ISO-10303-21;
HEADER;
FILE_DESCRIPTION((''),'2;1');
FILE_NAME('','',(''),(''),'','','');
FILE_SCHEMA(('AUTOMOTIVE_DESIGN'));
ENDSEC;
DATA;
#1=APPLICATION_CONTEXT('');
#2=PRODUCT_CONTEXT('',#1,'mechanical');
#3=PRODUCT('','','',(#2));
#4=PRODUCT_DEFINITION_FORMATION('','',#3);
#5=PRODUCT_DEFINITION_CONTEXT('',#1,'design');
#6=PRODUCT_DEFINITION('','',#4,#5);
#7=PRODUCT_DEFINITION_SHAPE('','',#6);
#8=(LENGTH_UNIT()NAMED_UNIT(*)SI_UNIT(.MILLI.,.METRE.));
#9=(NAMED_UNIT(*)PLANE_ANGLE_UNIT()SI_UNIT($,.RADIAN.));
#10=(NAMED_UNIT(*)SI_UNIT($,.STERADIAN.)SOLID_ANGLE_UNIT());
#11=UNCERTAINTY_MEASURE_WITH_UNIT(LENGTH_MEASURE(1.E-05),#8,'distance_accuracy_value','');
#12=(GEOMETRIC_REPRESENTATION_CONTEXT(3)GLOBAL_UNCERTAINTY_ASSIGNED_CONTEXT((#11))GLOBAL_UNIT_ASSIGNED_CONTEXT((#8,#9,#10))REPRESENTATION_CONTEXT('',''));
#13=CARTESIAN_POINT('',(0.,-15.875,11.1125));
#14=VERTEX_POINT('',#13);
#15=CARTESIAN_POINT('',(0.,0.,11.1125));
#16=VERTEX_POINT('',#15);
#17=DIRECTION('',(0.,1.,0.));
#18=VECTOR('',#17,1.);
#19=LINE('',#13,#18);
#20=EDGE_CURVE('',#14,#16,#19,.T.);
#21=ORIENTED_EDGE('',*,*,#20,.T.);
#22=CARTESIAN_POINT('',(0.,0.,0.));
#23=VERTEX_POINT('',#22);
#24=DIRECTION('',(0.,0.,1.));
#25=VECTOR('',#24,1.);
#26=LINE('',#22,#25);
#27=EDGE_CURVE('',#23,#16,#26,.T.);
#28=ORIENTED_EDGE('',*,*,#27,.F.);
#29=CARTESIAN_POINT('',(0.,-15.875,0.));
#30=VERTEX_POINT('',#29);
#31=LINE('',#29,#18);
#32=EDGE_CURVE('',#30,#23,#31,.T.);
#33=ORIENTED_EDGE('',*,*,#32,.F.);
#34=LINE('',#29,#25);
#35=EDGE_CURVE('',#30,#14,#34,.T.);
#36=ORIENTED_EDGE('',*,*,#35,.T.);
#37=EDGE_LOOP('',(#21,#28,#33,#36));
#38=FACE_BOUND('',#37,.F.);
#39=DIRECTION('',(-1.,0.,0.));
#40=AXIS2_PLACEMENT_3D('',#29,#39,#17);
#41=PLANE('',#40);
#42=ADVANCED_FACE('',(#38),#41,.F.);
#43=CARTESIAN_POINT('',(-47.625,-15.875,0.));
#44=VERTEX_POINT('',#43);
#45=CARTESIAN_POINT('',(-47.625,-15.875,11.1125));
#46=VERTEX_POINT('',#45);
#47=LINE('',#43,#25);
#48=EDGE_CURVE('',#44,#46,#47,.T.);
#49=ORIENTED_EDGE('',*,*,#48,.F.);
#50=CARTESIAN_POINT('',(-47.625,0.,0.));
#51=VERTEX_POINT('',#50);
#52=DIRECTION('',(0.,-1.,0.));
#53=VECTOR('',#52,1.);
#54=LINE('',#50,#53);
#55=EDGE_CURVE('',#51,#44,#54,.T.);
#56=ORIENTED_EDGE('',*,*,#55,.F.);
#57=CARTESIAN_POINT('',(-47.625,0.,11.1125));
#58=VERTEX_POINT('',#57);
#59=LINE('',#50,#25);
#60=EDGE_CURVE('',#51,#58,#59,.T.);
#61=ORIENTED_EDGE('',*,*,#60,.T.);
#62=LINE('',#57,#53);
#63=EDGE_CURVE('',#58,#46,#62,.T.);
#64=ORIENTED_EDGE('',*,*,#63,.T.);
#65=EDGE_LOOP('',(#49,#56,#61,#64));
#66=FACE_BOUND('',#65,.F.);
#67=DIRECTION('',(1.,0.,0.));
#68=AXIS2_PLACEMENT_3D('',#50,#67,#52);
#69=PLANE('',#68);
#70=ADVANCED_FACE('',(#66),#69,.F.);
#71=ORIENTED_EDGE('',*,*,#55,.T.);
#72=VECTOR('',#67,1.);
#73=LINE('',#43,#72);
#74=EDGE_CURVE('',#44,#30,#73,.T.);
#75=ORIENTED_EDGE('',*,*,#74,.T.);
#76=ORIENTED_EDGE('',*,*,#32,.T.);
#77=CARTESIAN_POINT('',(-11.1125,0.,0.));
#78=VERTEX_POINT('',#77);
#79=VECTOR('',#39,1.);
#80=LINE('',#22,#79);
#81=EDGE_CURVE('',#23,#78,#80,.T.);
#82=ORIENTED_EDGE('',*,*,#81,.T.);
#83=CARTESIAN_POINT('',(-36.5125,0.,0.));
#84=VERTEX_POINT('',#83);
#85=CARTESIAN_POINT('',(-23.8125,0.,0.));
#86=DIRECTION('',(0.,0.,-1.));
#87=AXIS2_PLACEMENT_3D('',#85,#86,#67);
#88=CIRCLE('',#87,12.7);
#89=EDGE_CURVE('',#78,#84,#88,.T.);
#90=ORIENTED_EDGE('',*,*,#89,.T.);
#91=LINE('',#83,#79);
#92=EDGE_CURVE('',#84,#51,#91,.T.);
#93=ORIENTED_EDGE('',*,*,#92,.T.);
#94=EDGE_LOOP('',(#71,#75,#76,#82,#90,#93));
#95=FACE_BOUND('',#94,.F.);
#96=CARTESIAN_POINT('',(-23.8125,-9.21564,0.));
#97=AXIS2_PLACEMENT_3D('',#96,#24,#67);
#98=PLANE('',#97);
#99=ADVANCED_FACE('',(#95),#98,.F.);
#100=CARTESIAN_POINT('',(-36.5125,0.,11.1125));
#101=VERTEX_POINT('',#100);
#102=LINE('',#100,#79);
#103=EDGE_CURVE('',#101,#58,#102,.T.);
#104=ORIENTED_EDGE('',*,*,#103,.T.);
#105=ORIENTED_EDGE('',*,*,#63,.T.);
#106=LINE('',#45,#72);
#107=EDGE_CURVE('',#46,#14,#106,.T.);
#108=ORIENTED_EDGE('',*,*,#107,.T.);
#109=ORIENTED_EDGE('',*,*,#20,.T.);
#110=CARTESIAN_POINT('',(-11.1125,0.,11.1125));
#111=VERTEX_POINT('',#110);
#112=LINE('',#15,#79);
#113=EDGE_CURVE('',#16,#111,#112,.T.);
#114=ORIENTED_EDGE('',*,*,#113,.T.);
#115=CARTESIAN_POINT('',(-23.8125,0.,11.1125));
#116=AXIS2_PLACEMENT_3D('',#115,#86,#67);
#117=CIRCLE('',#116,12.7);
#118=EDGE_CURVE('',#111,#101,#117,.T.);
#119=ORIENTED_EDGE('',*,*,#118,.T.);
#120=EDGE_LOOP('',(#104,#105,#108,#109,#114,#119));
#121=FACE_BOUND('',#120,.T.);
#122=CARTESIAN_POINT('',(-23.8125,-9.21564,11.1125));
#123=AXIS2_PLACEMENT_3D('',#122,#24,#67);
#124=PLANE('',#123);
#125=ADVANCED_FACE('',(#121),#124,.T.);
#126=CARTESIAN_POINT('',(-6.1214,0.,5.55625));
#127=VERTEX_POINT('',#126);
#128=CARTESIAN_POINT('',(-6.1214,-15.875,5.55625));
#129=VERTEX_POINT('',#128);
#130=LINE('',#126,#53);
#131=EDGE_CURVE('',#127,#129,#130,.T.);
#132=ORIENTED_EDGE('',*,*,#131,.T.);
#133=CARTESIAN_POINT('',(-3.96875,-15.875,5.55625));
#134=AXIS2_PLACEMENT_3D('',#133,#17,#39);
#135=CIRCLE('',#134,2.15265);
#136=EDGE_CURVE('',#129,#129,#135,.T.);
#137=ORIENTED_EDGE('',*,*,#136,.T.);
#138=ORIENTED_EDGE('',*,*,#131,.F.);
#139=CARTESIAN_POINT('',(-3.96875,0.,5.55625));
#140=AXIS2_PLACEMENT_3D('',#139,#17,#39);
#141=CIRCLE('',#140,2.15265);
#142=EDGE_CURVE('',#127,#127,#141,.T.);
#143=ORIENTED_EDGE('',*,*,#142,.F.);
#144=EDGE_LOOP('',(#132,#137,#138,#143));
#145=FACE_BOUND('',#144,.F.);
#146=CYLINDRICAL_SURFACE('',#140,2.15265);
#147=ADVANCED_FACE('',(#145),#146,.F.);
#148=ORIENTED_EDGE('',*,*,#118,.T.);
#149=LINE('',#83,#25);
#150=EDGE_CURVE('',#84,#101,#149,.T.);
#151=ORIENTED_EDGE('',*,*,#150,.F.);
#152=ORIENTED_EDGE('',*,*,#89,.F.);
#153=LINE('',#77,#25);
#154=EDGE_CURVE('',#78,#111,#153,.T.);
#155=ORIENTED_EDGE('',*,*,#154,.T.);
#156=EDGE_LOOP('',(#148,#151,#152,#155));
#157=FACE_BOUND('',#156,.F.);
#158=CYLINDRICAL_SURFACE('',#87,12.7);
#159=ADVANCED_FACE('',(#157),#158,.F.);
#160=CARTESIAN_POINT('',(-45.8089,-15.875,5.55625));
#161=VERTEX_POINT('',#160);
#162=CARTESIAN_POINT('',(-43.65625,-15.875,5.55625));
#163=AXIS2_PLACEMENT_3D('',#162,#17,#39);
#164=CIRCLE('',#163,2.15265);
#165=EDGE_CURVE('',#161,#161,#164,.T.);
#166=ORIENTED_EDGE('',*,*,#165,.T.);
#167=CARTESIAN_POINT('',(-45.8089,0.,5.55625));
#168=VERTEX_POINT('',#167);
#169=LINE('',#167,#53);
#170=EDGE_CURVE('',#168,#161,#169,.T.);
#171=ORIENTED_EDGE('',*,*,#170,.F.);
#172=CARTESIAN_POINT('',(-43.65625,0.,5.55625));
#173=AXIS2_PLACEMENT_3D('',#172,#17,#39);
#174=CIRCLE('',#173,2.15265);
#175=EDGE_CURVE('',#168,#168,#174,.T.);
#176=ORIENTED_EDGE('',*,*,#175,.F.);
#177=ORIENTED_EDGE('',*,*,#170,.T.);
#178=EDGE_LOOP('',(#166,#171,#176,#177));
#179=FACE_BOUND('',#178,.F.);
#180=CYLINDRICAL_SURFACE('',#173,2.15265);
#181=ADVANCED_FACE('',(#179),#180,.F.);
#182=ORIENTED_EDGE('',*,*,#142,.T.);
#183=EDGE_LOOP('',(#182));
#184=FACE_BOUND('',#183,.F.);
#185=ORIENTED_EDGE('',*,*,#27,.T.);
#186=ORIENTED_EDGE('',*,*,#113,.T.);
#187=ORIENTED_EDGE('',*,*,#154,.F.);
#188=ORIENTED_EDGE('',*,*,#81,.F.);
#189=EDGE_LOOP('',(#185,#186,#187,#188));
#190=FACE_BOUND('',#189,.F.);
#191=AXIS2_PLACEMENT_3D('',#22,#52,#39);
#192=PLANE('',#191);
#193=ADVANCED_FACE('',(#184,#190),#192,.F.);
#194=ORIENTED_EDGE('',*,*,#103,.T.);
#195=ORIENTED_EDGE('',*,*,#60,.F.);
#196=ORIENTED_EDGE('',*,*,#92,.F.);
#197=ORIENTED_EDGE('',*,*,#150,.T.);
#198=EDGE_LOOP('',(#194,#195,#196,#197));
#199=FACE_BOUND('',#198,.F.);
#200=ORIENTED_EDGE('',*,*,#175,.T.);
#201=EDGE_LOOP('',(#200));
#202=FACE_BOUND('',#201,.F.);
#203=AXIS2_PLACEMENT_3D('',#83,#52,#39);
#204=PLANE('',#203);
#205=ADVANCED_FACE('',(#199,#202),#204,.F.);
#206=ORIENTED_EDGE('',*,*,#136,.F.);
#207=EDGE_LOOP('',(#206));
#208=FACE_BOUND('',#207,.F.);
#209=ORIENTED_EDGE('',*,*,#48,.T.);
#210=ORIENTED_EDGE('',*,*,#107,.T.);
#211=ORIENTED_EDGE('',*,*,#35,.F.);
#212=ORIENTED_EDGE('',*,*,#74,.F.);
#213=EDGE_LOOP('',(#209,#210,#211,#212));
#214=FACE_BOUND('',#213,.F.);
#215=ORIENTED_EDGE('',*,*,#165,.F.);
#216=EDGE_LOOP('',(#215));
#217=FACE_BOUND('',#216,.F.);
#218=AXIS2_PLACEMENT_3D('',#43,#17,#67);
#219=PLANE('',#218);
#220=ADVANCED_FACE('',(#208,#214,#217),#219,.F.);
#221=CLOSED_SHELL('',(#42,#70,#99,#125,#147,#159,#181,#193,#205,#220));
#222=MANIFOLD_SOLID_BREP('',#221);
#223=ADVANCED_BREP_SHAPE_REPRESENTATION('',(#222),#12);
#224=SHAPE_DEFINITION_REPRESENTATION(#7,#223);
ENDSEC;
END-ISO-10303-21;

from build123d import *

# Parameters (mm, degrees)
F1_DEPTH = 11.1125
F2_R     = 2.15265
F3_DEPTH = 15.875


with BuildPart() as f1:
    # F0 (on Top) → F1 (new body)
    with BuildSketch(Plane.XY):
        with BuildLine():
            Line((-47.625, -15.875), (0, -15.875))
            Line((0, -15.875), (0, 0))
            Line((0, 0), (-11.1125, 0))
            ThreePointArc((-11.1125, 0), (-23.8125, -12.7), (-36.5125, 0))
            Line((-36.5125, 0), (-47.625, 0))
            Line((-47.625, 0), (-47.625, -15.875))
        make_face()
    extrude(amount=F1_DEPTH)

    # F2 (on face) → F3 (cut, through all)
    with BuildSketch(Plane(origin=(0, 0, 0), x_dir=(-1, 0, 0), z_dir=(0, 1, 0))):
        with Locations((43.65625, 5.55625)):
            Circle(F2_R)
        with Locations((3.96875, 5.55625)):
            Circle(F2_R)
    extrude(amount=-F3_DEPTH, mode=Mode.SUBTRACT)


solid = f1.part
